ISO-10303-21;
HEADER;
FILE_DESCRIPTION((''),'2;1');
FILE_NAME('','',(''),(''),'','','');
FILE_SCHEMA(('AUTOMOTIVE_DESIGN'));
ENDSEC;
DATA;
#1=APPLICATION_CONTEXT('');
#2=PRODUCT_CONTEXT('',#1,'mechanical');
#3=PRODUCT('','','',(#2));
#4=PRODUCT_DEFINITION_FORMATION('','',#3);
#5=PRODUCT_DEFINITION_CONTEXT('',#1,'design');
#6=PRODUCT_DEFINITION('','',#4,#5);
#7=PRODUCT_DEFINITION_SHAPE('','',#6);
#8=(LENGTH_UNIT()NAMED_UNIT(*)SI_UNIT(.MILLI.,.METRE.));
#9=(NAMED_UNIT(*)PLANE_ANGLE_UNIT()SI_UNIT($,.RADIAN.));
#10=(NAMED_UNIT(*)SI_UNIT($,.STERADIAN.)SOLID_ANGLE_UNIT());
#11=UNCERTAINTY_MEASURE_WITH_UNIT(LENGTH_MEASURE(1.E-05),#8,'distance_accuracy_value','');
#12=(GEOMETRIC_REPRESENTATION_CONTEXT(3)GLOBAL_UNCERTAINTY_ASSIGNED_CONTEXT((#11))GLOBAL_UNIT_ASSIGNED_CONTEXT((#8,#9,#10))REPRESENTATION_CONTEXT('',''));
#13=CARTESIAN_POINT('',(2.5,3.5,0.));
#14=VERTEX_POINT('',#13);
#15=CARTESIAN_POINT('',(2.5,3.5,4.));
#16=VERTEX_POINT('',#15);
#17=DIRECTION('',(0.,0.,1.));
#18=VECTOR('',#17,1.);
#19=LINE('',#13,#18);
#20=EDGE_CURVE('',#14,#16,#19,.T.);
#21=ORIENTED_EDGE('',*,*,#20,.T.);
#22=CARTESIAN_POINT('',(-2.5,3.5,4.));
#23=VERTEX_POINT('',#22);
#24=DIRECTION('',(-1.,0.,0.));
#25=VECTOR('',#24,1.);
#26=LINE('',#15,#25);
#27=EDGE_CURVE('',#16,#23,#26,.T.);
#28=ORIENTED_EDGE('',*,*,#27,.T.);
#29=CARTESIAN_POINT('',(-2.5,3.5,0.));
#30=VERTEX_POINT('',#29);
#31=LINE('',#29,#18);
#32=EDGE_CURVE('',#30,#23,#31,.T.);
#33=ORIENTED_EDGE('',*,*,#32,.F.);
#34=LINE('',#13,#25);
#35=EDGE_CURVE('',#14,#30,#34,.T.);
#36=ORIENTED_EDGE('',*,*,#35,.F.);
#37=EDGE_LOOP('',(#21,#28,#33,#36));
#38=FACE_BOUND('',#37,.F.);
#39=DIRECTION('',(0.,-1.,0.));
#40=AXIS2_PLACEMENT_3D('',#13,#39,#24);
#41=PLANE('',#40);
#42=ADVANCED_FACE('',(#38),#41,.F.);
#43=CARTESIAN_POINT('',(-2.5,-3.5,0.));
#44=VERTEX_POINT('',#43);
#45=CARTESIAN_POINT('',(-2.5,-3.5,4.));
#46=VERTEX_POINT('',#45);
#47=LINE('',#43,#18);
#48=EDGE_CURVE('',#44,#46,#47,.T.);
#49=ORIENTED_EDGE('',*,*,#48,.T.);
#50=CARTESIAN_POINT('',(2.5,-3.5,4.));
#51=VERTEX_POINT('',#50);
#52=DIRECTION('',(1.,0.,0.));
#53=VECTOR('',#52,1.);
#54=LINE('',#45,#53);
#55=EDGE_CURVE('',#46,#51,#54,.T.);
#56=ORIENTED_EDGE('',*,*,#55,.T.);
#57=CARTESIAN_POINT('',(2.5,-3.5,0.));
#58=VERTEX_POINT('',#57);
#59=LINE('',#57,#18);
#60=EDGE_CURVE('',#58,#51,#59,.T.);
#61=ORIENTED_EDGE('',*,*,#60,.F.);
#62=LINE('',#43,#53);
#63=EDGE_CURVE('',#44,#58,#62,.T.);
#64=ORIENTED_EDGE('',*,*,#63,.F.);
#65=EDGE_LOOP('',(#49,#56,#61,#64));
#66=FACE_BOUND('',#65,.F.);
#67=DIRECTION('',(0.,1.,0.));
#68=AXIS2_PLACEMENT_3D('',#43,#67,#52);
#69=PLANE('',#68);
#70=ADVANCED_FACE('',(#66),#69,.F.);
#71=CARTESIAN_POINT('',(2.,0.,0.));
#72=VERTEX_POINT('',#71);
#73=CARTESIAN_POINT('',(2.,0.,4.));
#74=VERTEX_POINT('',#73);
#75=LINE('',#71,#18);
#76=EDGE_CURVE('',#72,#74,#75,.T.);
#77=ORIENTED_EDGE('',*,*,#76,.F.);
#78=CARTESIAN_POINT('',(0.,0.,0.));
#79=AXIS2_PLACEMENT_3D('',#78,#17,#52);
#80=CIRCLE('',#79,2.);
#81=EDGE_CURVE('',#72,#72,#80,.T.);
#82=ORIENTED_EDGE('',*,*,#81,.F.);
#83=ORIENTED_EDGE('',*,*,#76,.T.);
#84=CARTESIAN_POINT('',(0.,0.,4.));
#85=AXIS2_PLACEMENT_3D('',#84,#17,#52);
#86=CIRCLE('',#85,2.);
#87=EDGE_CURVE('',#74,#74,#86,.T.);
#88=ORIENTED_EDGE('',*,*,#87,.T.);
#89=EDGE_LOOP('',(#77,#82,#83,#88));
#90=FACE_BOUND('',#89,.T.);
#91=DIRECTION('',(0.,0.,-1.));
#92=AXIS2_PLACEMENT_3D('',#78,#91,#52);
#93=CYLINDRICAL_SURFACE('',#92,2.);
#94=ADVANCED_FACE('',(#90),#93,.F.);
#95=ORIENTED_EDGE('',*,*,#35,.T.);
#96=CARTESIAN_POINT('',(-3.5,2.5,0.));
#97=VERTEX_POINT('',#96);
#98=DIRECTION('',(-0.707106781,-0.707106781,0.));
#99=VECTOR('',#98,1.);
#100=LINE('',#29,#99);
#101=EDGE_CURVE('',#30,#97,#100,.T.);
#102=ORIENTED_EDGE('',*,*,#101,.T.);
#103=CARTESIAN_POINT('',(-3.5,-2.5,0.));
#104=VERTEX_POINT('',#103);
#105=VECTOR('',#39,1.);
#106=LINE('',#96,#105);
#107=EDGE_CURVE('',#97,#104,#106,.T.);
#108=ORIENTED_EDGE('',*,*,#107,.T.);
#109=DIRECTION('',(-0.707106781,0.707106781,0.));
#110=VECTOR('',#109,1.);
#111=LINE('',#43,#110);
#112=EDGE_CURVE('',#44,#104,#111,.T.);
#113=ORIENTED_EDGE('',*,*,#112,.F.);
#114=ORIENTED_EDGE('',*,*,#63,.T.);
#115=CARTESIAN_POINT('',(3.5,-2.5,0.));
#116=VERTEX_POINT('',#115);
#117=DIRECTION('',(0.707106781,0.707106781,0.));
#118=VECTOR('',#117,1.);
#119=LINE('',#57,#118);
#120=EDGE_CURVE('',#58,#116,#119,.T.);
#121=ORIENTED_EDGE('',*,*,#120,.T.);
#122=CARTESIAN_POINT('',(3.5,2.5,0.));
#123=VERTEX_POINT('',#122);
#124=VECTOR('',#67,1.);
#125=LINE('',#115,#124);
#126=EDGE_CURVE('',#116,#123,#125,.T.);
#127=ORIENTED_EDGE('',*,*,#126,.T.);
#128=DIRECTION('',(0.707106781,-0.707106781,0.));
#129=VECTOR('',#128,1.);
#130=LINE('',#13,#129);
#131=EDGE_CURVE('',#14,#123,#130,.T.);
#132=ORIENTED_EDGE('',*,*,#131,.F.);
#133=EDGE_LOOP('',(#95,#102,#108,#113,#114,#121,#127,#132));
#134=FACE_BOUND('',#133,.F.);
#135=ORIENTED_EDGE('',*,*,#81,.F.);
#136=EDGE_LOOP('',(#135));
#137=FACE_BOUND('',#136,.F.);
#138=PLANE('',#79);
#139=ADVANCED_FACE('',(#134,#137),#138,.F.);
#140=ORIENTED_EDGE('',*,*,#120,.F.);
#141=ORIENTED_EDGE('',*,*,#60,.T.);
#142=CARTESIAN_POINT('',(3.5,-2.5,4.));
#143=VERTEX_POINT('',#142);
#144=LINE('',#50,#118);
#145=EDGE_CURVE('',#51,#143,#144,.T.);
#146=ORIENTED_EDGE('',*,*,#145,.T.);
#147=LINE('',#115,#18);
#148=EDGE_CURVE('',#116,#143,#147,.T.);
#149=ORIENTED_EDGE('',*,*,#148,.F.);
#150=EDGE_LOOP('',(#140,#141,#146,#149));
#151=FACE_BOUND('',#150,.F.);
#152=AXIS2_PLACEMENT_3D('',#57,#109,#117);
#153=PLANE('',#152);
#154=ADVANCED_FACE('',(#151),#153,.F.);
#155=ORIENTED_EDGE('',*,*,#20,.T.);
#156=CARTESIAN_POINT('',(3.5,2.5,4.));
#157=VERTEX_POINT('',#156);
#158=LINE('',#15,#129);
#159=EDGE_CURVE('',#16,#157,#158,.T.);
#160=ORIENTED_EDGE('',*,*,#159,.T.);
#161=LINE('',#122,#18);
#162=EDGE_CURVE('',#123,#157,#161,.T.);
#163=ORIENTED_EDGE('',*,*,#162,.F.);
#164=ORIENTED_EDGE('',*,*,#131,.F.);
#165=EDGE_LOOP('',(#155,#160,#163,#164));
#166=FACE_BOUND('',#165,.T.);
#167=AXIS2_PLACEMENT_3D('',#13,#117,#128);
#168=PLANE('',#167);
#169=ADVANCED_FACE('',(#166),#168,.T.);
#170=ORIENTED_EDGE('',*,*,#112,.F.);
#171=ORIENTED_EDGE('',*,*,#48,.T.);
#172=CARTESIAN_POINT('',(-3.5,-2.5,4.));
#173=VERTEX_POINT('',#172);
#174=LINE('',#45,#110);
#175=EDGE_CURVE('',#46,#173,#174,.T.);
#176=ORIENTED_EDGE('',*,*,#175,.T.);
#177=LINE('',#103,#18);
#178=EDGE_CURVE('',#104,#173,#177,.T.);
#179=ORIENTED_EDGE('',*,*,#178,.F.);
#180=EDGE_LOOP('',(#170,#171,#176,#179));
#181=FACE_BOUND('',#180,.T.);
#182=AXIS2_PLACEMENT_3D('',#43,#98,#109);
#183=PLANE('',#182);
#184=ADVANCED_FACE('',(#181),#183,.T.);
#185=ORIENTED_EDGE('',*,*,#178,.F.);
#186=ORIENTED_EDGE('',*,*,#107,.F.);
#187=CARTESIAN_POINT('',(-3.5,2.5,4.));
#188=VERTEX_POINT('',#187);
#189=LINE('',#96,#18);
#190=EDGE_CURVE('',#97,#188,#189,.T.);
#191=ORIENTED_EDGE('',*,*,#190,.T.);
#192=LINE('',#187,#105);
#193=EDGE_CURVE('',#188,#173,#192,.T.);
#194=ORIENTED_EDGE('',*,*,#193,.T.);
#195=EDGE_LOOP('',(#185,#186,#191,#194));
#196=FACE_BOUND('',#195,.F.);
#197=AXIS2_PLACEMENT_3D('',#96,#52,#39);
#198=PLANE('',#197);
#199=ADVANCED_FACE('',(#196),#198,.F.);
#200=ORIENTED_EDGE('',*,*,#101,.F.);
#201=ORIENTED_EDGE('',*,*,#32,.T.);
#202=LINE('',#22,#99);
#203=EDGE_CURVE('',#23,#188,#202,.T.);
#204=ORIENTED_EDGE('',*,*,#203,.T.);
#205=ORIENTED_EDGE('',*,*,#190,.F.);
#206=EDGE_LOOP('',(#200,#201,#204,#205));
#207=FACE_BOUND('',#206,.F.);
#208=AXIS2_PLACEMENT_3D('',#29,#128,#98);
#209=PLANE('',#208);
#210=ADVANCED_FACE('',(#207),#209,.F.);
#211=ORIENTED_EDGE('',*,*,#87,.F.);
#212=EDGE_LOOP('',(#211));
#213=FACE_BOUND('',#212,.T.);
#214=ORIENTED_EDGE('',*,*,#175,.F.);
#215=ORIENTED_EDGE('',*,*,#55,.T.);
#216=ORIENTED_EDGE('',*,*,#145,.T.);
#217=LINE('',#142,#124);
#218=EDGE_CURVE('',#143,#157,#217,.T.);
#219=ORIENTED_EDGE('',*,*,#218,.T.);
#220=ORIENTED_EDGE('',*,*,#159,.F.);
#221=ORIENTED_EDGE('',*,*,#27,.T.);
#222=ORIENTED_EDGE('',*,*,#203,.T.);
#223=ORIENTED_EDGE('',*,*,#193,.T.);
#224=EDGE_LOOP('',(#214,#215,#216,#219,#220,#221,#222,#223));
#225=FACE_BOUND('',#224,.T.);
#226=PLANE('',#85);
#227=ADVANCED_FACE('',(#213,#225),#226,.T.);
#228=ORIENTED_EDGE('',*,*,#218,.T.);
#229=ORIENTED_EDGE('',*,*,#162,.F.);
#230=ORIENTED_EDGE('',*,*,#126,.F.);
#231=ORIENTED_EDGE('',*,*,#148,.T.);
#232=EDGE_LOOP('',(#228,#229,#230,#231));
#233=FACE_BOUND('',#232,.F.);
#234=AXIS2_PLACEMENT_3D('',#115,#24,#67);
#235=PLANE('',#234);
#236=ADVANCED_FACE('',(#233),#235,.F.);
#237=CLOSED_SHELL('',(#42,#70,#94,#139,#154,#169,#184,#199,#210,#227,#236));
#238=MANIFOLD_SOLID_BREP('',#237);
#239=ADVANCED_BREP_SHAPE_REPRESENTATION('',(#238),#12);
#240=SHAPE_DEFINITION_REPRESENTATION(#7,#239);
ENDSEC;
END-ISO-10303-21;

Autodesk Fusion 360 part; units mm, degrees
sketch "Sketch1" plane through (0, 0, 0) normal (0, 0, 1) x (1, 0, 0)
  circle A0 centre (0, 0) radius 2
  line L0 (2.5, 3.5) -> (-2.5, 3.5)
  line L1 (-3.5, 2.5) -> (-3.5, -2.5)
  line L2 (-2.5, -3.5) -> (2.5, -3.5)
  line L3 (3.5, -2.5) -> (3.5, 2.5)
  line L4 (3.5, 3.5) -> (-3.5, -3.5) construction
  line L5 (-3.5, 3.5) -> (3.5, -3.5) construction
  line L6 (2.5, 3.5) -> (3.5, 2.5)
  line L7 (-2.5, 3.5) -> (-3.5, 2.5)
  line L8 (2.5, -3.5) -> (3.5, -2.5)
  line L9 (-2.5, -3.5) -> (-3.5, -2.5)
  dimension "d1" = 4
  dimension "d2" = 7
  dimension "d3" = 7
  dimension "d4" = 1
  dimension "d5" = 1
  dimension "d6" = 1
  dimension "d7" = 1
  dimension "d8" = 1
  dimension "d9" = 1
  dimension "d10" = 1
  dimension "d11" = 1
extrude "Extrude1" add sketch "Sketch1" along normal blind 4
equation "d5 = d4"
equation "d7 = d6"
equation "d9 = d8"
equation "d11 = d10"
